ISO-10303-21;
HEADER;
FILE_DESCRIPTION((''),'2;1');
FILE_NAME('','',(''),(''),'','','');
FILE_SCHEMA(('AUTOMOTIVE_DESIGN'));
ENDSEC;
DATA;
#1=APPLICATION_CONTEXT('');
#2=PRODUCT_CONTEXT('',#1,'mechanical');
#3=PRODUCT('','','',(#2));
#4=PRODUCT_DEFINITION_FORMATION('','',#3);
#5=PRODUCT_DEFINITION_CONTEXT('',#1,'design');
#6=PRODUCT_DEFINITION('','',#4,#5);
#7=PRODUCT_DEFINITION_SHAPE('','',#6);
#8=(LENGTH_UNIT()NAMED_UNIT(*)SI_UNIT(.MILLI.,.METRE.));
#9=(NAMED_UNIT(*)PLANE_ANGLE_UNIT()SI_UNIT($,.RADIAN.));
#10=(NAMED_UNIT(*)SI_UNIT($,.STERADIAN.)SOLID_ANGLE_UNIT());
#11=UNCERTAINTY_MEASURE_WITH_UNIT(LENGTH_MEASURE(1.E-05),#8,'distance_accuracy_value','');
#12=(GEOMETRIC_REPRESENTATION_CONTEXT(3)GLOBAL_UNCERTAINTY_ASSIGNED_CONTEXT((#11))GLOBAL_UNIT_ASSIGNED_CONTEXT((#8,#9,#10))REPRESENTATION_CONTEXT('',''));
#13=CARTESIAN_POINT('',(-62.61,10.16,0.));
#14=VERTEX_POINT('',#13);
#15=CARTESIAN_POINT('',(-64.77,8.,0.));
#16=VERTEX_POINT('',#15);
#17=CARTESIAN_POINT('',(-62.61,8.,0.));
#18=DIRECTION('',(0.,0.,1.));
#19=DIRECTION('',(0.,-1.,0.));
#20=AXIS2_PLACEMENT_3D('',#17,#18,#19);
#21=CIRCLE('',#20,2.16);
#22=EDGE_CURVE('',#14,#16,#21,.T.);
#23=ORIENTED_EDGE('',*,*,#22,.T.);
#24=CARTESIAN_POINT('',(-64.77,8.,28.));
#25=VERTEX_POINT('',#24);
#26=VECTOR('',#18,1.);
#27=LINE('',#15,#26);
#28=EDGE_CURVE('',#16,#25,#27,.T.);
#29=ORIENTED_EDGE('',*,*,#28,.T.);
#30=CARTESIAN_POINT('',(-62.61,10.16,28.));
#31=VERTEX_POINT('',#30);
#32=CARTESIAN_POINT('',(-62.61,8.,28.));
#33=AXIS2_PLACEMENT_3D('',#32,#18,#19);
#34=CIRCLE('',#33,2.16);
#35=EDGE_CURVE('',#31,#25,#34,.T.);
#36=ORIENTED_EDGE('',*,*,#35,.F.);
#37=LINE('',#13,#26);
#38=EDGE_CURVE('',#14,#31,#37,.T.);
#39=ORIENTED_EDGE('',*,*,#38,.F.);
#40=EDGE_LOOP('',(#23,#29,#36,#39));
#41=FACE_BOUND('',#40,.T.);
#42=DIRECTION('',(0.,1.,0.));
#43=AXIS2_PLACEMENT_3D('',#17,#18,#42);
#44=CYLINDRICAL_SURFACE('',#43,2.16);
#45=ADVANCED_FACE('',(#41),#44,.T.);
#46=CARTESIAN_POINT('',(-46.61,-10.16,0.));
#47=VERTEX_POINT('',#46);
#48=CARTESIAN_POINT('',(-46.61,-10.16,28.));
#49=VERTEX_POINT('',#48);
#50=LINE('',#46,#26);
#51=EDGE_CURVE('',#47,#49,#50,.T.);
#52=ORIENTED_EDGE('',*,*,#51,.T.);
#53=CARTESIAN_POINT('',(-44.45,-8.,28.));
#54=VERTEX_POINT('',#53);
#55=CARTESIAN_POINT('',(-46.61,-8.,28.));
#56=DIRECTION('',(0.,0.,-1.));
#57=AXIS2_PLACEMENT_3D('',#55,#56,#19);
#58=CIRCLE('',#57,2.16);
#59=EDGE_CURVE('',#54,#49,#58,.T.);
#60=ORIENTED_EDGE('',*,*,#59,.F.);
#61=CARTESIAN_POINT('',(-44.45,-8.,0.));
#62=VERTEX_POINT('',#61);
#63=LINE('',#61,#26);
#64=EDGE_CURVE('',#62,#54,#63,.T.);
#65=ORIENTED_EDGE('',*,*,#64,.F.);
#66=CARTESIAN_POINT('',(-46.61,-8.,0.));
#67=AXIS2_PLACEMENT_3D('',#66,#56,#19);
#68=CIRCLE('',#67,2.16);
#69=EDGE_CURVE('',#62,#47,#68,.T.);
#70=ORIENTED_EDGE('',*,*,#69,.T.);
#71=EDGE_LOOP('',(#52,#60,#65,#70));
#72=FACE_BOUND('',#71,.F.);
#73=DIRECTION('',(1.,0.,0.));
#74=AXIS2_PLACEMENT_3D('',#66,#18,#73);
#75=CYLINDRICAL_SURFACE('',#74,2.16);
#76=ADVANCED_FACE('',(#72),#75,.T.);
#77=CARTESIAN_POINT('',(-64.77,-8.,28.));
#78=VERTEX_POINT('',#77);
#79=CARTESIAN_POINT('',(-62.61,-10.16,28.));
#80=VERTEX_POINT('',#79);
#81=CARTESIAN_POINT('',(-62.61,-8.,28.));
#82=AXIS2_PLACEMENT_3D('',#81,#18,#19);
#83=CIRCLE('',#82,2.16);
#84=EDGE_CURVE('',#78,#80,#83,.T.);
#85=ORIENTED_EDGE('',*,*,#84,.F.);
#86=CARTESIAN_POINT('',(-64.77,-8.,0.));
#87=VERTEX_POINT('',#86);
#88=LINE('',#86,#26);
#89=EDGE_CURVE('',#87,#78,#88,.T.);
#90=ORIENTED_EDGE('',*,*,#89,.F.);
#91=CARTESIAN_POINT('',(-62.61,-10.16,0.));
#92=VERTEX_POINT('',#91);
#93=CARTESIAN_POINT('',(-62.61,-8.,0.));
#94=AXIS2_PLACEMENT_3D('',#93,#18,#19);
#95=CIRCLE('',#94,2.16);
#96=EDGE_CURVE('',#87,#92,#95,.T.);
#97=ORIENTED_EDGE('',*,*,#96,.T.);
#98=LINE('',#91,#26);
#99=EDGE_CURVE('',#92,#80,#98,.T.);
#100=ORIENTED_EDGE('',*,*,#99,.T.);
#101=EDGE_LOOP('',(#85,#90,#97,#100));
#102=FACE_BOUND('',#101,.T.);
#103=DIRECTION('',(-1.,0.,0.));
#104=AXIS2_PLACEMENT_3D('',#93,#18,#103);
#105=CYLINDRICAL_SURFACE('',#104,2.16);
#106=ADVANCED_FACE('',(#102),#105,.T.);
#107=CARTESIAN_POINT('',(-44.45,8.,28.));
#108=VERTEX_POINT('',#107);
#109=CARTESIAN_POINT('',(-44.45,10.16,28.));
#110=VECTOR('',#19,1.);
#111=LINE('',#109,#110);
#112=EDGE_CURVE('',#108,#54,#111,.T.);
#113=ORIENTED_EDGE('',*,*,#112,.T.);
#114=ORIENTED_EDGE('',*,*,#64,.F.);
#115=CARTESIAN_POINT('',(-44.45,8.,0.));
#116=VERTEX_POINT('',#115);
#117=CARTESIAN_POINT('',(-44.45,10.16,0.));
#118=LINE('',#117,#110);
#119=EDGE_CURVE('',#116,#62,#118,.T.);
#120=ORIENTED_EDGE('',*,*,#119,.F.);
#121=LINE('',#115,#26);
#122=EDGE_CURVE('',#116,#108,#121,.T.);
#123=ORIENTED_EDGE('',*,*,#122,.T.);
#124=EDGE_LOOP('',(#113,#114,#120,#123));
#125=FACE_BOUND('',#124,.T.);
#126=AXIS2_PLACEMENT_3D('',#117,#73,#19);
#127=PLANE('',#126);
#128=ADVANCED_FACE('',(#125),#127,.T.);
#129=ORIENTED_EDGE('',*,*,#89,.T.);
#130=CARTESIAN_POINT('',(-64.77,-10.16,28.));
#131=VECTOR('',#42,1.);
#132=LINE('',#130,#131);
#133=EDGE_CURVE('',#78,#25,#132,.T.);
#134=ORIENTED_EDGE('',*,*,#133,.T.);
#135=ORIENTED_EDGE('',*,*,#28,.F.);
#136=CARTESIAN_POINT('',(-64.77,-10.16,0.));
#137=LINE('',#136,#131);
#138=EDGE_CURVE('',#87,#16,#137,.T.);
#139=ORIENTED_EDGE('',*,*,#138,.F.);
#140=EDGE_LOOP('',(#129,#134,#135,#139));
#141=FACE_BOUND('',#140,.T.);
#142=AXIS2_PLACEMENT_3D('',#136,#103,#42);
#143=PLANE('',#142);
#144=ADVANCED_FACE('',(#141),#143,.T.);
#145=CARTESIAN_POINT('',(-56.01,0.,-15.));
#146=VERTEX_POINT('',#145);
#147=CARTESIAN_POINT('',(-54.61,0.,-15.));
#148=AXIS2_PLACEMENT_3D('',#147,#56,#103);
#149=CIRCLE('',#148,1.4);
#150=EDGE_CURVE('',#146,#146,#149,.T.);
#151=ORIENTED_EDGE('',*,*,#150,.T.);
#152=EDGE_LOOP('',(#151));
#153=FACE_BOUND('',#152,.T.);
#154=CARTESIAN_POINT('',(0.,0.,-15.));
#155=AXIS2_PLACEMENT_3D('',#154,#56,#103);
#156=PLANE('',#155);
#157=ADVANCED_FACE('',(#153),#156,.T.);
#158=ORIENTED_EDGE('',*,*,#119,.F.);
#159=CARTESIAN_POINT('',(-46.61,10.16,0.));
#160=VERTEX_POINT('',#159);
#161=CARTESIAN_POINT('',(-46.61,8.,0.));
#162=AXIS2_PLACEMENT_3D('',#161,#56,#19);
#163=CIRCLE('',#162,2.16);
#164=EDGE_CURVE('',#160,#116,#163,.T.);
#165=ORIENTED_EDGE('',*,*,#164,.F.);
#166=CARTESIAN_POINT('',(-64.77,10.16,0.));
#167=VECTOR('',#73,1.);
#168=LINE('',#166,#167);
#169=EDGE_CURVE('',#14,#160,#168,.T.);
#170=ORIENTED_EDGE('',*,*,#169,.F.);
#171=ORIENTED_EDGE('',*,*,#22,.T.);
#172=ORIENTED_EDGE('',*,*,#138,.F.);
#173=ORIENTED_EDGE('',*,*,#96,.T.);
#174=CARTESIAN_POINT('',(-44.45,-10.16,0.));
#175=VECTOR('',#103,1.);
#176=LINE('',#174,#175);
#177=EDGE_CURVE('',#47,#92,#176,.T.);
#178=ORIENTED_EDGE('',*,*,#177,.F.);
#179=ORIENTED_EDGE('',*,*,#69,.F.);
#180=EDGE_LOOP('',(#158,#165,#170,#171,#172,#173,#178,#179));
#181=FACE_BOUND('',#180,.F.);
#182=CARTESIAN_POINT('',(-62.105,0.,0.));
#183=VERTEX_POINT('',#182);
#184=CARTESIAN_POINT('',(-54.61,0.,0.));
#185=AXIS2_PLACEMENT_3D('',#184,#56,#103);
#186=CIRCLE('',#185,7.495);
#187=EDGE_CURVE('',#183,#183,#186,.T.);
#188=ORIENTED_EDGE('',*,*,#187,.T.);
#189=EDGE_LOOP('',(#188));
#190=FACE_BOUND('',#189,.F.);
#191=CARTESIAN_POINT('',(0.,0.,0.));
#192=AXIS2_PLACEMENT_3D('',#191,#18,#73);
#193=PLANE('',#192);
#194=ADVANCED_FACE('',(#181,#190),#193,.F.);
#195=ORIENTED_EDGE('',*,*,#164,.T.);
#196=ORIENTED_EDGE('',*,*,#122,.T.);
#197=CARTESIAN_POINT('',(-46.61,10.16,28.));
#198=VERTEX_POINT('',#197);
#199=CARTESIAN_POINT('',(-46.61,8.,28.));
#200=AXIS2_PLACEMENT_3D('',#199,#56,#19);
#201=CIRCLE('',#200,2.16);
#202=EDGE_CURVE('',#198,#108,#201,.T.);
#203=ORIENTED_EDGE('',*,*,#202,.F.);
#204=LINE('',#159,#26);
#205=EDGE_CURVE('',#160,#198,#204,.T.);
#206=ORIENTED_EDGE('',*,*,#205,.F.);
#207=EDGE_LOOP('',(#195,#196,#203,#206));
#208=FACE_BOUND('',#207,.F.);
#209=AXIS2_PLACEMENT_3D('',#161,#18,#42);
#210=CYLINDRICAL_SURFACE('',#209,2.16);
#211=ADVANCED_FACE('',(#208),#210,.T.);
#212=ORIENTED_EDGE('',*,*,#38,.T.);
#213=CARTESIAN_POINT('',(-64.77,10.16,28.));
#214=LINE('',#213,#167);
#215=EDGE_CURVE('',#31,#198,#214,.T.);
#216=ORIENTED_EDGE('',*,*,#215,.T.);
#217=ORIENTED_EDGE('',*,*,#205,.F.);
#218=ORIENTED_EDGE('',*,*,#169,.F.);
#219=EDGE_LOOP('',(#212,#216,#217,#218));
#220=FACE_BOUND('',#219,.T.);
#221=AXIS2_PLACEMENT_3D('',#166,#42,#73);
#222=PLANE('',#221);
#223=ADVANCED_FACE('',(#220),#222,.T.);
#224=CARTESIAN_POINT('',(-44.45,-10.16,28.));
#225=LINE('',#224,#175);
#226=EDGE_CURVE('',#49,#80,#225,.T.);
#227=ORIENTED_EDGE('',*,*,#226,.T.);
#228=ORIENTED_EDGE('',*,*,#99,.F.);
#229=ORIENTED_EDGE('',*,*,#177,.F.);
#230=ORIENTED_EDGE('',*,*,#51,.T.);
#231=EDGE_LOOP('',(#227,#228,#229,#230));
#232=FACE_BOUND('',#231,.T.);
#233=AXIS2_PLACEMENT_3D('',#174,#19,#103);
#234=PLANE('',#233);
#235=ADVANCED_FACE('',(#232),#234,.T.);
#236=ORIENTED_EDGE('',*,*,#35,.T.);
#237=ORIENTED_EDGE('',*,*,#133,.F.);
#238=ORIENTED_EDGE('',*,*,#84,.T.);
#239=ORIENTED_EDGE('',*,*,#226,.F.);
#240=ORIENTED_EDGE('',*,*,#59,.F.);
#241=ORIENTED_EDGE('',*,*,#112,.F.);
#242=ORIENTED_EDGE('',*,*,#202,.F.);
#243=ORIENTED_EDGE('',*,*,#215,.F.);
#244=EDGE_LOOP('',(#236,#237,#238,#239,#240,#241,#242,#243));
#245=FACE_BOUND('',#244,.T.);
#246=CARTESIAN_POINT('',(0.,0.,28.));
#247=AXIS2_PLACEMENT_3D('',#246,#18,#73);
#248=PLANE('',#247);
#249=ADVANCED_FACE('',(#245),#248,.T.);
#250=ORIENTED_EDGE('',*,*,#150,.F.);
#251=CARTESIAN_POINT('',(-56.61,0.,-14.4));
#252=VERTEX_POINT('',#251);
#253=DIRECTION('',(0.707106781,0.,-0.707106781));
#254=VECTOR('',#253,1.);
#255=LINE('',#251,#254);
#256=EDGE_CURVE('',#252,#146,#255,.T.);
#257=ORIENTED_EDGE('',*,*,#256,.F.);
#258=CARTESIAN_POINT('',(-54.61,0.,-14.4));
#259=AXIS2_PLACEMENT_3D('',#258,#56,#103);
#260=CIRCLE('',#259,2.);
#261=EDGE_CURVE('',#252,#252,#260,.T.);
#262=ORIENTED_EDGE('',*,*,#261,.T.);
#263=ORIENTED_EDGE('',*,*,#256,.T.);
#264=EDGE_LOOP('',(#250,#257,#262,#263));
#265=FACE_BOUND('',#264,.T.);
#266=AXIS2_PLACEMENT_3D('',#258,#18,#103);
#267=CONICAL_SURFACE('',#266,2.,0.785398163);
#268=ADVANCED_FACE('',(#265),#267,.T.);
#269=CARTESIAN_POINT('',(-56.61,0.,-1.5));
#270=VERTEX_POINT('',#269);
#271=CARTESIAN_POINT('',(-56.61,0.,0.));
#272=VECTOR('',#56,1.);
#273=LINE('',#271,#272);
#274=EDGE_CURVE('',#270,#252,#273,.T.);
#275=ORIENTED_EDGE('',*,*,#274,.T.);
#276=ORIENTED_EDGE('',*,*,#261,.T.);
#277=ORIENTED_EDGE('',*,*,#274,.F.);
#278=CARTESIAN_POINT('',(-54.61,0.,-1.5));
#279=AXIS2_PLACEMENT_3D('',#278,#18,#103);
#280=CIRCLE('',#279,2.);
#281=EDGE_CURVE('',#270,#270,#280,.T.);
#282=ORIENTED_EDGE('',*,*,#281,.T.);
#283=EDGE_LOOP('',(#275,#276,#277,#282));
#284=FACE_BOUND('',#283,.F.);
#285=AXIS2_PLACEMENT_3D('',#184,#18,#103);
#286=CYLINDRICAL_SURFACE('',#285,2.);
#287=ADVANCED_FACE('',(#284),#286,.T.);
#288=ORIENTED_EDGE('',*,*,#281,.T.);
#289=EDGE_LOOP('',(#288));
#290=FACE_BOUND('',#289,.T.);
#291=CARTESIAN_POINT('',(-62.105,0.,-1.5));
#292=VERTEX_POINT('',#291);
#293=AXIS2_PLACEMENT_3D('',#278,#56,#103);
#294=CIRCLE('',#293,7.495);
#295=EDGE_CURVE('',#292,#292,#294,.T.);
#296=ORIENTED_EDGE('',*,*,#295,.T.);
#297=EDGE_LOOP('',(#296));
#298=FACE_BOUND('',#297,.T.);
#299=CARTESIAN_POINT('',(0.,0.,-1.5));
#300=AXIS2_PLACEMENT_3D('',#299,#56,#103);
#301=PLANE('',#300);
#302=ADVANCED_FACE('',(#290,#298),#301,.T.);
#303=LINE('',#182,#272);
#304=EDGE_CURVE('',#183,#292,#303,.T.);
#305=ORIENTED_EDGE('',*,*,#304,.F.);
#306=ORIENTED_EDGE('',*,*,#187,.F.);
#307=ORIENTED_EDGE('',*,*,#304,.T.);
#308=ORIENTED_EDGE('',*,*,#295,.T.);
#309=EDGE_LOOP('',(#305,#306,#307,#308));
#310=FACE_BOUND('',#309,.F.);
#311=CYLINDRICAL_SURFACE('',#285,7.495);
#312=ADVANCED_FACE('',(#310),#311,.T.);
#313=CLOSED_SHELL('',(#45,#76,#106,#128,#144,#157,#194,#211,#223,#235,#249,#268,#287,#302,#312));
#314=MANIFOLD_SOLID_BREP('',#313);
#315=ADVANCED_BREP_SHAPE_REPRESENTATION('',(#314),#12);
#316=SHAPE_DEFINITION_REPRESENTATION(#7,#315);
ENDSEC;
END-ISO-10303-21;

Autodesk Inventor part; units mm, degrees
ref_plane "YZ Plane" through (0, 0, 0) normal (1, 0, 0) x (0, 1, 0)
ref_plane "XZ Plane" through (0, 0, 0) normal (0, 1, 0) x (-1, 0, 0)
ref_plane "XY Plane" through (0, 0, 0) normal (0, 0, 1) x (1, 0, 0)
sketch "Sketch1" plane through (0, 0, 0) normal (0, 0, 1) x (1, 0, 0)
  circle A0 centre (-54.61, 0) radius 11.5 construction
  circle A1 centre (-66.11, 11.5) radius 1.3 construction
  circle A2 centre (-43.11, 11.5) radius 1.3 construction
  circle A3 centre (-66.11, -11.5) radius 1.3 construction
  circle A4 centre (-43.11, -11.5) radius 1.3 construction
  line L0 (-64.77, 10.16) -> (-44.45, 10.16)
  line L1 (-44.45, 10.16) -> (-44.45, -10.16)
  line L2 (-44.45, -10.16) -> (-64.77, -10.16)
  line L3 (-64.77, -10.16) -> (-64.77, 10.16)
  line L4 (-64.77, 10.16) -> (-44.45, -10.16) construction
  line L5 (-44.45, 10.16) -> (-64.77, -10.16) construction
  circle A5 centre (-54.61, 0) radius 7.495
  point P0 (0, 0)
  dimension "d0" = 20.32
  dimension "d1" = 20.32
  dimension "d2" = 14.99
extrude "Extrusion1" add sketch "Sketch1" along normal blind 28 contours L0 L1 L2 L3 | A5
sketch "Sketch2" plane through (0, 0, 0) normal (0, 0, -1) x (-1, 0, 0)
  point P0 (0, 0)
  point P1 (66.11, -11.5)
  point P2 (43.11, -11.5)
  point P3 (43.11, 11.5)
  point P4 (66.11, 11.5)
hole "Hole1" at (-66.11, -11.5, 0) at (-43.11, -11.5, 0) at (-43.11, 11.5, 0) at (-66.11, 11.5, 0) direction (0, 0, 1) diameter 3 depth 8 tip angle 118
sketch "Sketch3" plane through (0, 0, 0) normal (0, 0, -1) x (-1, 0, 0)
  circle A0 centre (54.61, 0) radius 7.495 projected
  circle A1 centre (54.61, 0) radius 2
  point P0 (0, 0)
  dimension "d14" = 4
extrude "Extrusion2" add sketch "Sketch3" along normal blind 1.5 contours A0 | A1
extrude "Extrusion3" add sketch "Sketch3" along normal blind 15 contours A1
chamfer "Chamfer1" distance 0.6 angle 45 1 edges at (-52.61, 0, -15)
fillet "Fillet1" radius 2.16 4 edges at (-64.77, -10.16, 14) (-64.77, 10.16, 14) (-44.45, -10.16, 14) (-44.45, 10.16, 14)
properties part number "Nema 8"
